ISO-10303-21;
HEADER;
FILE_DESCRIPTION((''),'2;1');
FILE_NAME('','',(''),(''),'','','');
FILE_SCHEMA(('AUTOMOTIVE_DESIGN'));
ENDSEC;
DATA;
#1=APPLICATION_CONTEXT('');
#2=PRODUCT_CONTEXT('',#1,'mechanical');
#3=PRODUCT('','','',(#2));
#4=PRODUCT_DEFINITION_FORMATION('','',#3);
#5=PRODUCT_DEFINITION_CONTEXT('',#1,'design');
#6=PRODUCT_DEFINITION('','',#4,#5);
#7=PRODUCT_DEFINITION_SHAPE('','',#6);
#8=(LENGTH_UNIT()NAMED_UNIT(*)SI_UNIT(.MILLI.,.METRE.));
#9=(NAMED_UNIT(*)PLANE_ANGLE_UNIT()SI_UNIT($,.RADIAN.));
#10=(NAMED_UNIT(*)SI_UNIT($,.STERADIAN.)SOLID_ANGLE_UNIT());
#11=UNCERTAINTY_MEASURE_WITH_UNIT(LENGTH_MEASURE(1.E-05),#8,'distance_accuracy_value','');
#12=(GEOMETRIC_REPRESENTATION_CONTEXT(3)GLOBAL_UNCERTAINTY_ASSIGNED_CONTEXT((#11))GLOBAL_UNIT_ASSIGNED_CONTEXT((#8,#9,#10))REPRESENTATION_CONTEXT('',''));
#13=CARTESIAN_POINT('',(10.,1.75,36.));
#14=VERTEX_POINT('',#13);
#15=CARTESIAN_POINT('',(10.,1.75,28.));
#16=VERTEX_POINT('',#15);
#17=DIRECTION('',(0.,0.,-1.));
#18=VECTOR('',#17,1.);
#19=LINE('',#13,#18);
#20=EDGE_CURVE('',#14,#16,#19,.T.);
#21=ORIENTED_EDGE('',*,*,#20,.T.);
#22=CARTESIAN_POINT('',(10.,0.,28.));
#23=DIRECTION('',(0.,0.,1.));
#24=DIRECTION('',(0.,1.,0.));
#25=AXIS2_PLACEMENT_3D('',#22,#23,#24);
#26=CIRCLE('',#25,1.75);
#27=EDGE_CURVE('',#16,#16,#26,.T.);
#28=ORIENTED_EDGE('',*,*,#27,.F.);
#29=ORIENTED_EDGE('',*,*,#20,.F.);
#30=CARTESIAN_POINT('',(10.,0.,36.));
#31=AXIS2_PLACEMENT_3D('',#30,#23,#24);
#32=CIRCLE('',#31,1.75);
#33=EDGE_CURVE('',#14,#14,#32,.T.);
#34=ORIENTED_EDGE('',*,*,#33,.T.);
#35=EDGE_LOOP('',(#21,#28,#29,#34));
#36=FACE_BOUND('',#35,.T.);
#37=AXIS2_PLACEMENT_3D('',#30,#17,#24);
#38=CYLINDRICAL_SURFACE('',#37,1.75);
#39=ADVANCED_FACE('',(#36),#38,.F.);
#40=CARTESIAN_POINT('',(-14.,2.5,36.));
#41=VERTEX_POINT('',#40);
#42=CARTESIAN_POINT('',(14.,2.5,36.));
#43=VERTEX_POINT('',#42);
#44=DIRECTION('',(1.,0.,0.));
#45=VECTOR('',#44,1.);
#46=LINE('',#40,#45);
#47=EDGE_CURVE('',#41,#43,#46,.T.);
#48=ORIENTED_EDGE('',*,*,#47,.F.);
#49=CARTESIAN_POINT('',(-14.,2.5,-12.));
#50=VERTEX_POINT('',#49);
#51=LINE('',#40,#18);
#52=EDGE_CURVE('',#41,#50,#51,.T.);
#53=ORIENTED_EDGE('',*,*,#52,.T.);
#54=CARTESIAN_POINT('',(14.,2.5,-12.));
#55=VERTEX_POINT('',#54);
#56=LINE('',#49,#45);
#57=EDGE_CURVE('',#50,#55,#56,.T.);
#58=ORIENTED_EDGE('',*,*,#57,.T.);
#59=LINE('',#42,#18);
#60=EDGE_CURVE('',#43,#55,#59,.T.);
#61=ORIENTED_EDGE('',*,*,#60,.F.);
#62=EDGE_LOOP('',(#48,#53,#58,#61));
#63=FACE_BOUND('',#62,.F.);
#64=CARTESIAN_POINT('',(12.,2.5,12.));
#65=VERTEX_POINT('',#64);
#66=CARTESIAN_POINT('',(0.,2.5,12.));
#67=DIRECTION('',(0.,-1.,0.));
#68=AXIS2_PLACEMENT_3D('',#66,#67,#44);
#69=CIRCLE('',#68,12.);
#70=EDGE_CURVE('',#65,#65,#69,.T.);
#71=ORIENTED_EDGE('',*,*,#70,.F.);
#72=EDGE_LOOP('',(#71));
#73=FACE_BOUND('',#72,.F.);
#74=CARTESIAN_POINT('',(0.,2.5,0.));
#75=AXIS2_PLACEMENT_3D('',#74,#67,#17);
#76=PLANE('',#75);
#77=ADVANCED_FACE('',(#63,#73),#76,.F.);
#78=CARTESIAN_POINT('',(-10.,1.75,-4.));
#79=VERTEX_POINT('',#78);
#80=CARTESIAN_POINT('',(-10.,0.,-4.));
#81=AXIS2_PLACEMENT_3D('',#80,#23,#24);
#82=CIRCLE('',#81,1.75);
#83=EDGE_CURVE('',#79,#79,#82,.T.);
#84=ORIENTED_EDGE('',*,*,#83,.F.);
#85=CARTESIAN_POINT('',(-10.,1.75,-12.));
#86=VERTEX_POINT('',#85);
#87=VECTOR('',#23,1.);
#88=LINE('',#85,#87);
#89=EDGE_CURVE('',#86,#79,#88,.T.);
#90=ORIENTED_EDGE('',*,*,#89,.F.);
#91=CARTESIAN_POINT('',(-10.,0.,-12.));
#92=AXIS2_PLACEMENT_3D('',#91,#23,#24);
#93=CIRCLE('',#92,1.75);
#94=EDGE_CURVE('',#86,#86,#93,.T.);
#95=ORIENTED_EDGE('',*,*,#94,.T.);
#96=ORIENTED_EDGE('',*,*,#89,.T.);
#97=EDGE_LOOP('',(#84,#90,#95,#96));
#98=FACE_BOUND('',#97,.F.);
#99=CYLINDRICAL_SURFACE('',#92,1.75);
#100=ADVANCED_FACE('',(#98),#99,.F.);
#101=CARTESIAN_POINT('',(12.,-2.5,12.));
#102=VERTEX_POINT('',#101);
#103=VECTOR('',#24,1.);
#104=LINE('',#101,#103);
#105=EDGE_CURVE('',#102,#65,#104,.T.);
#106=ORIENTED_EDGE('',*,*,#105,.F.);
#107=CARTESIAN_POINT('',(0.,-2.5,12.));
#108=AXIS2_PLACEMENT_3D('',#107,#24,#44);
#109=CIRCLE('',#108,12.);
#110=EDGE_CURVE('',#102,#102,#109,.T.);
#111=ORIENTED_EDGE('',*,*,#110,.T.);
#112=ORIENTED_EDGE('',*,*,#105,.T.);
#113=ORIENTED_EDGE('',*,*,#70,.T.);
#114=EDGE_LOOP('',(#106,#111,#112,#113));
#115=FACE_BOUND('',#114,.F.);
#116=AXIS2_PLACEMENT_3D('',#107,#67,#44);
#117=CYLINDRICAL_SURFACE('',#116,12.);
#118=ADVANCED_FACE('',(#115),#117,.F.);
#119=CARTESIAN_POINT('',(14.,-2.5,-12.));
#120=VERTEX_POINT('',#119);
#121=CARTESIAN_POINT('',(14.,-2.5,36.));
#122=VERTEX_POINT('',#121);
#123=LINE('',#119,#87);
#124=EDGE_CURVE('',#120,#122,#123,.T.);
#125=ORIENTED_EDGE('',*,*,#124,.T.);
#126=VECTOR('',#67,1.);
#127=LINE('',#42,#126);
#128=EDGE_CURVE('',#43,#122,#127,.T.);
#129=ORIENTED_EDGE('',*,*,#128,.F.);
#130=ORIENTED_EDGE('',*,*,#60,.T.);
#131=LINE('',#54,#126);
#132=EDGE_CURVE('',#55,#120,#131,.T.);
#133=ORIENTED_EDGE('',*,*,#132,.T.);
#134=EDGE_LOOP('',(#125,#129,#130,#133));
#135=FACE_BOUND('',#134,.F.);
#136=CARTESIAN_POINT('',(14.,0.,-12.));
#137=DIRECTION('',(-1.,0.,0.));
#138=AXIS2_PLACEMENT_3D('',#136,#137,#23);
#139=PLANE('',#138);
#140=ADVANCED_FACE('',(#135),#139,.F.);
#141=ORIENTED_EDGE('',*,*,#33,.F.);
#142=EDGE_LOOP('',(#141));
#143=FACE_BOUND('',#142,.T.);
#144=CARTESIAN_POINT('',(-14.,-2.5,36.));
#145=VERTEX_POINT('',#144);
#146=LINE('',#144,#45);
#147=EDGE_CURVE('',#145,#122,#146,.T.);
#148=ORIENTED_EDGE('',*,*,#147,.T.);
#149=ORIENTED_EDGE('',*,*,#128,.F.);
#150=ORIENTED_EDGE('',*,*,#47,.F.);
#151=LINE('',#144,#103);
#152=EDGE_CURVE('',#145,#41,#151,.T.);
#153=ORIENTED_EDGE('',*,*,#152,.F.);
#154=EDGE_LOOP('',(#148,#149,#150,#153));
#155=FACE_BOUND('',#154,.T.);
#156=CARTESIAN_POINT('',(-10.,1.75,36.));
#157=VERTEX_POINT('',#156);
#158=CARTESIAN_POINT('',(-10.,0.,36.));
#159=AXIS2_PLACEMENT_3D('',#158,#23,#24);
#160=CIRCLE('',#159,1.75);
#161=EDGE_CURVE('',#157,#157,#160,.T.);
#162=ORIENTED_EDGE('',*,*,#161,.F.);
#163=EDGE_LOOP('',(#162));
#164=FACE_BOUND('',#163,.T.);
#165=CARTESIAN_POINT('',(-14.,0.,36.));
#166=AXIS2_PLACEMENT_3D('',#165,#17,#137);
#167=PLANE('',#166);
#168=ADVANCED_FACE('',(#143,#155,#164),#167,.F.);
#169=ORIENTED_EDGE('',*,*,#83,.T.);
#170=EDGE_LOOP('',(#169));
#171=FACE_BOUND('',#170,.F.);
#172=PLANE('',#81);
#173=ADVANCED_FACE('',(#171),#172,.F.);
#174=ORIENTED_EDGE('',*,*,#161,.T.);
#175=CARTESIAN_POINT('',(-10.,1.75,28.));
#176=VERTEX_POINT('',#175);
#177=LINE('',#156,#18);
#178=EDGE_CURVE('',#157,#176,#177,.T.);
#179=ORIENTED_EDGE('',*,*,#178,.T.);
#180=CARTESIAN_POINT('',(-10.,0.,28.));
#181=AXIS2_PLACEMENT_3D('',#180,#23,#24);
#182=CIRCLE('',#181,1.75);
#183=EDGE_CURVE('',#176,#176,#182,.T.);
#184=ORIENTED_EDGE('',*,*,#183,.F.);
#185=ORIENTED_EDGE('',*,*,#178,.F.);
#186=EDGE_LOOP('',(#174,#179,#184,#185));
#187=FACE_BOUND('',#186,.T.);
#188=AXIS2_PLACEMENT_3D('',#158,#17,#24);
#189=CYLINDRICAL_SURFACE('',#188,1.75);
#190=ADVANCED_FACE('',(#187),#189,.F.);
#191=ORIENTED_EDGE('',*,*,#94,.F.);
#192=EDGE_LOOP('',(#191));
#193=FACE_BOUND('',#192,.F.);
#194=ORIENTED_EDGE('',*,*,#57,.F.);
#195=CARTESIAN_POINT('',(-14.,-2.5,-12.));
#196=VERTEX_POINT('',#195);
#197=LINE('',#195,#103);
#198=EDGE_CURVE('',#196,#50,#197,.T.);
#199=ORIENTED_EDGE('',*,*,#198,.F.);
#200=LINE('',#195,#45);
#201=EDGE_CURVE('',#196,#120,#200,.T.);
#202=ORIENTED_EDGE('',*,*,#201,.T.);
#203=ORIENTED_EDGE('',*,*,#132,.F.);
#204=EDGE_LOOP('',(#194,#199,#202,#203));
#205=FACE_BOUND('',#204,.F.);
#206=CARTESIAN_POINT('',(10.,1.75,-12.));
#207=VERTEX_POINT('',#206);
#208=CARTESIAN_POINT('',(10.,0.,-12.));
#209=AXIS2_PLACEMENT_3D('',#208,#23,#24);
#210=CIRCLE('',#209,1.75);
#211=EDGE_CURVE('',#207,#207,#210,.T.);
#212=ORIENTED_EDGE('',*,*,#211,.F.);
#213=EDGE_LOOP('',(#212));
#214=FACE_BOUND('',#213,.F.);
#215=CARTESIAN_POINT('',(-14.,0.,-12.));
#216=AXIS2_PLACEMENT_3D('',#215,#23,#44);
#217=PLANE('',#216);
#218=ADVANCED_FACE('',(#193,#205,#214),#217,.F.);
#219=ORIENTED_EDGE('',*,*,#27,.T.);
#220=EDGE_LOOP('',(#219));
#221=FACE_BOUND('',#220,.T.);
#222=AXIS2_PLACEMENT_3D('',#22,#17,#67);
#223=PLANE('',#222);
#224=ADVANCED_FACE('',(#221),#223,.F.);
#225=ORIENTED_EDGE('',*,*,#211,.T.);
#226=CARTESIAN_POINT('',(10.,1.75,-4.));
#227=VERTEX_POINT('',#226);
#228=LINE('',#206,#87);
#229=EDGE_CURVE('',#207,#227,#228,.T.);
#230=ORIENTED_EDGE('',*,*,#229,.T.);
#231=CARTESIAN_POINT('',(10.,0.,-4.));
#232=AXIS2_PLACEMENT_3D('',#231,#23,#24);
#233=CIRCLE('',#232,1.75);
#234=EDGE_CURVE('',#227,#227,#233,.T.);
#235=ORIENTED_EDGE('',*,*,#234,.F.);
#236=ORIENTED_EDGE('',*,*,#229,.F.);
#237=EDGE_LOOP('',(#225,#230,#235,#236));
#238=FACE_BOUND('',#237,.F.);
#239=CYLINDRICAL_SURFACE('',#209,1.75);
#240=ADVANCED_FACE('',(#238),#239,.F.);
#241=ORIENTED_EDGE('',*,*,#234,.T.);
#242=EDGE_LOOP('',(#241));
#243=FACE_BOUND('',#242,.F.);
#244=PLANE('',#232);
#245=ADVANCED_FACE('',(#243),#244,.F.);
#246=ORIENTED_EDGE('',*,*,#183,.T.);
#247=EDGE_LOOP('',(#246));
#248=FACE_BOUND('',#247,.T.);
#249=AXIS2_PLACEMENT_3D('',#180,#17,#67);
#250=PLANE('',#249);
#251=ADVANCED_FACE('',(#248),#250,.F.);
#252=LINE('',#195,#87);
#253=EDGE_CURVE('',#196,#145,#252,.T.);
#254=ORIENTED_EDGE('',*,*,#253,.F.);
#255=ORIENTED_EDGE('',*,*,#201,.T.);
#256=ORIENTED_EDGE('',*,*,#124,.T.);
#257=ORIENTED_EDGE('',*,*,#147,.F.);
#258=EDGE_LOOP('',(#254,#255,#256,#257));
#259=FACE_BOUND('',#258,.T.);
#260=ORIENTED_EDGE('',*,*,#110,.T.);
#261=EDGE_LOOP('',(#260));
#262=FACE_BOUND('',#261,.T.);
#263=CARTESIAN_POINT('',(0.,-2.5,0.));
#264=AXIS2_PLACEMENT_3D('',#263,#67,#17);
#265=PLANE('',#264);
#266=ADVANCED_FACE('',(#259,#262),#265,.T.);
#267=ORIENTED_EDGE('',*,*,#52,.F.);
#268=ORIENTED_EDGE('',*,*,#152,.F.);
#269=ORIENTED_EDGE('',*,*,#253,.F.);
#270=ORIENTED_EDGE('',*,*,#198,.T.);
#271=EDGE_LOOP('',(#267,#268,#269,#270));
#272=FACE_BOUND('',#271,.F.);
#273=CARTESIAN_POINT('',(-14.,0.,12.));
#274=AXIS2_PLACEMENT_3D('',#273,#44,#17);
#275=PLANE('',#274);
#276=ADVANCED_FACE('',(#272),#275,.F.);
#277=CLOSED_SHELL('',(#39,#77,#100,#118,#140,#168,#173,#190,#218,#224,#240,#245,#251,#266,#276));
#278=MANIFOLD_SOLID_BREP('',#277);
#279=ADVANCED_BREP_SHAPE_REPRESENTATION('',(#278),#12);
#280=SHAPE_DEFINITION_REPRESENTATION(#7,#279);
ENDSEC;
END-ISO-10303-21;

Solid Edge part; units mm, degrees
sketch "Sketch1" plane through (0, 0, 0) normal (0, -1, 0) x (1, 0, 0)
  line L0 (-14, -12) -> (14, -12)
  line L1 (14, -12) -> (14, 12)
  line L2 (14, 12) -> (-14, 12)
  line L3 (-14, 12) -> (-14, -12)
  dimension "D1" = 24
  dimension "D2" = 28
extrude "Protrusion1" add sketch "Sketch1" along normal mid plane 5
sketch "Sketch2" plane through (0, -2.5, 0) normal (0, -1, 0) x (1, 0, 0)
  circle A0 centre (0, 12) radius 12
  dimension "D1" = 24
extrude "Extrusionsausschnitt_1" cut sketch "Sketch2" against normal blind 221
hole "Bohrung_1" at (-10, 0, -12) direction (0, 0, 1) diameter 3.5 depth 8
hole "Hole1" at (10, 0, -12) direction (0, 0, 1) diameter 3.5 depth 8
mirror "Mirror1" about plane through (-13.5, 0, 12) normal (0, 0, 1) of "Protrusion1", "Extrusionsausschnitt_1", "Bohrung_1", "Hole1"
properties material "Aluminiumlegierung:3.0205, Al 99.0, EN-AW 1200"
